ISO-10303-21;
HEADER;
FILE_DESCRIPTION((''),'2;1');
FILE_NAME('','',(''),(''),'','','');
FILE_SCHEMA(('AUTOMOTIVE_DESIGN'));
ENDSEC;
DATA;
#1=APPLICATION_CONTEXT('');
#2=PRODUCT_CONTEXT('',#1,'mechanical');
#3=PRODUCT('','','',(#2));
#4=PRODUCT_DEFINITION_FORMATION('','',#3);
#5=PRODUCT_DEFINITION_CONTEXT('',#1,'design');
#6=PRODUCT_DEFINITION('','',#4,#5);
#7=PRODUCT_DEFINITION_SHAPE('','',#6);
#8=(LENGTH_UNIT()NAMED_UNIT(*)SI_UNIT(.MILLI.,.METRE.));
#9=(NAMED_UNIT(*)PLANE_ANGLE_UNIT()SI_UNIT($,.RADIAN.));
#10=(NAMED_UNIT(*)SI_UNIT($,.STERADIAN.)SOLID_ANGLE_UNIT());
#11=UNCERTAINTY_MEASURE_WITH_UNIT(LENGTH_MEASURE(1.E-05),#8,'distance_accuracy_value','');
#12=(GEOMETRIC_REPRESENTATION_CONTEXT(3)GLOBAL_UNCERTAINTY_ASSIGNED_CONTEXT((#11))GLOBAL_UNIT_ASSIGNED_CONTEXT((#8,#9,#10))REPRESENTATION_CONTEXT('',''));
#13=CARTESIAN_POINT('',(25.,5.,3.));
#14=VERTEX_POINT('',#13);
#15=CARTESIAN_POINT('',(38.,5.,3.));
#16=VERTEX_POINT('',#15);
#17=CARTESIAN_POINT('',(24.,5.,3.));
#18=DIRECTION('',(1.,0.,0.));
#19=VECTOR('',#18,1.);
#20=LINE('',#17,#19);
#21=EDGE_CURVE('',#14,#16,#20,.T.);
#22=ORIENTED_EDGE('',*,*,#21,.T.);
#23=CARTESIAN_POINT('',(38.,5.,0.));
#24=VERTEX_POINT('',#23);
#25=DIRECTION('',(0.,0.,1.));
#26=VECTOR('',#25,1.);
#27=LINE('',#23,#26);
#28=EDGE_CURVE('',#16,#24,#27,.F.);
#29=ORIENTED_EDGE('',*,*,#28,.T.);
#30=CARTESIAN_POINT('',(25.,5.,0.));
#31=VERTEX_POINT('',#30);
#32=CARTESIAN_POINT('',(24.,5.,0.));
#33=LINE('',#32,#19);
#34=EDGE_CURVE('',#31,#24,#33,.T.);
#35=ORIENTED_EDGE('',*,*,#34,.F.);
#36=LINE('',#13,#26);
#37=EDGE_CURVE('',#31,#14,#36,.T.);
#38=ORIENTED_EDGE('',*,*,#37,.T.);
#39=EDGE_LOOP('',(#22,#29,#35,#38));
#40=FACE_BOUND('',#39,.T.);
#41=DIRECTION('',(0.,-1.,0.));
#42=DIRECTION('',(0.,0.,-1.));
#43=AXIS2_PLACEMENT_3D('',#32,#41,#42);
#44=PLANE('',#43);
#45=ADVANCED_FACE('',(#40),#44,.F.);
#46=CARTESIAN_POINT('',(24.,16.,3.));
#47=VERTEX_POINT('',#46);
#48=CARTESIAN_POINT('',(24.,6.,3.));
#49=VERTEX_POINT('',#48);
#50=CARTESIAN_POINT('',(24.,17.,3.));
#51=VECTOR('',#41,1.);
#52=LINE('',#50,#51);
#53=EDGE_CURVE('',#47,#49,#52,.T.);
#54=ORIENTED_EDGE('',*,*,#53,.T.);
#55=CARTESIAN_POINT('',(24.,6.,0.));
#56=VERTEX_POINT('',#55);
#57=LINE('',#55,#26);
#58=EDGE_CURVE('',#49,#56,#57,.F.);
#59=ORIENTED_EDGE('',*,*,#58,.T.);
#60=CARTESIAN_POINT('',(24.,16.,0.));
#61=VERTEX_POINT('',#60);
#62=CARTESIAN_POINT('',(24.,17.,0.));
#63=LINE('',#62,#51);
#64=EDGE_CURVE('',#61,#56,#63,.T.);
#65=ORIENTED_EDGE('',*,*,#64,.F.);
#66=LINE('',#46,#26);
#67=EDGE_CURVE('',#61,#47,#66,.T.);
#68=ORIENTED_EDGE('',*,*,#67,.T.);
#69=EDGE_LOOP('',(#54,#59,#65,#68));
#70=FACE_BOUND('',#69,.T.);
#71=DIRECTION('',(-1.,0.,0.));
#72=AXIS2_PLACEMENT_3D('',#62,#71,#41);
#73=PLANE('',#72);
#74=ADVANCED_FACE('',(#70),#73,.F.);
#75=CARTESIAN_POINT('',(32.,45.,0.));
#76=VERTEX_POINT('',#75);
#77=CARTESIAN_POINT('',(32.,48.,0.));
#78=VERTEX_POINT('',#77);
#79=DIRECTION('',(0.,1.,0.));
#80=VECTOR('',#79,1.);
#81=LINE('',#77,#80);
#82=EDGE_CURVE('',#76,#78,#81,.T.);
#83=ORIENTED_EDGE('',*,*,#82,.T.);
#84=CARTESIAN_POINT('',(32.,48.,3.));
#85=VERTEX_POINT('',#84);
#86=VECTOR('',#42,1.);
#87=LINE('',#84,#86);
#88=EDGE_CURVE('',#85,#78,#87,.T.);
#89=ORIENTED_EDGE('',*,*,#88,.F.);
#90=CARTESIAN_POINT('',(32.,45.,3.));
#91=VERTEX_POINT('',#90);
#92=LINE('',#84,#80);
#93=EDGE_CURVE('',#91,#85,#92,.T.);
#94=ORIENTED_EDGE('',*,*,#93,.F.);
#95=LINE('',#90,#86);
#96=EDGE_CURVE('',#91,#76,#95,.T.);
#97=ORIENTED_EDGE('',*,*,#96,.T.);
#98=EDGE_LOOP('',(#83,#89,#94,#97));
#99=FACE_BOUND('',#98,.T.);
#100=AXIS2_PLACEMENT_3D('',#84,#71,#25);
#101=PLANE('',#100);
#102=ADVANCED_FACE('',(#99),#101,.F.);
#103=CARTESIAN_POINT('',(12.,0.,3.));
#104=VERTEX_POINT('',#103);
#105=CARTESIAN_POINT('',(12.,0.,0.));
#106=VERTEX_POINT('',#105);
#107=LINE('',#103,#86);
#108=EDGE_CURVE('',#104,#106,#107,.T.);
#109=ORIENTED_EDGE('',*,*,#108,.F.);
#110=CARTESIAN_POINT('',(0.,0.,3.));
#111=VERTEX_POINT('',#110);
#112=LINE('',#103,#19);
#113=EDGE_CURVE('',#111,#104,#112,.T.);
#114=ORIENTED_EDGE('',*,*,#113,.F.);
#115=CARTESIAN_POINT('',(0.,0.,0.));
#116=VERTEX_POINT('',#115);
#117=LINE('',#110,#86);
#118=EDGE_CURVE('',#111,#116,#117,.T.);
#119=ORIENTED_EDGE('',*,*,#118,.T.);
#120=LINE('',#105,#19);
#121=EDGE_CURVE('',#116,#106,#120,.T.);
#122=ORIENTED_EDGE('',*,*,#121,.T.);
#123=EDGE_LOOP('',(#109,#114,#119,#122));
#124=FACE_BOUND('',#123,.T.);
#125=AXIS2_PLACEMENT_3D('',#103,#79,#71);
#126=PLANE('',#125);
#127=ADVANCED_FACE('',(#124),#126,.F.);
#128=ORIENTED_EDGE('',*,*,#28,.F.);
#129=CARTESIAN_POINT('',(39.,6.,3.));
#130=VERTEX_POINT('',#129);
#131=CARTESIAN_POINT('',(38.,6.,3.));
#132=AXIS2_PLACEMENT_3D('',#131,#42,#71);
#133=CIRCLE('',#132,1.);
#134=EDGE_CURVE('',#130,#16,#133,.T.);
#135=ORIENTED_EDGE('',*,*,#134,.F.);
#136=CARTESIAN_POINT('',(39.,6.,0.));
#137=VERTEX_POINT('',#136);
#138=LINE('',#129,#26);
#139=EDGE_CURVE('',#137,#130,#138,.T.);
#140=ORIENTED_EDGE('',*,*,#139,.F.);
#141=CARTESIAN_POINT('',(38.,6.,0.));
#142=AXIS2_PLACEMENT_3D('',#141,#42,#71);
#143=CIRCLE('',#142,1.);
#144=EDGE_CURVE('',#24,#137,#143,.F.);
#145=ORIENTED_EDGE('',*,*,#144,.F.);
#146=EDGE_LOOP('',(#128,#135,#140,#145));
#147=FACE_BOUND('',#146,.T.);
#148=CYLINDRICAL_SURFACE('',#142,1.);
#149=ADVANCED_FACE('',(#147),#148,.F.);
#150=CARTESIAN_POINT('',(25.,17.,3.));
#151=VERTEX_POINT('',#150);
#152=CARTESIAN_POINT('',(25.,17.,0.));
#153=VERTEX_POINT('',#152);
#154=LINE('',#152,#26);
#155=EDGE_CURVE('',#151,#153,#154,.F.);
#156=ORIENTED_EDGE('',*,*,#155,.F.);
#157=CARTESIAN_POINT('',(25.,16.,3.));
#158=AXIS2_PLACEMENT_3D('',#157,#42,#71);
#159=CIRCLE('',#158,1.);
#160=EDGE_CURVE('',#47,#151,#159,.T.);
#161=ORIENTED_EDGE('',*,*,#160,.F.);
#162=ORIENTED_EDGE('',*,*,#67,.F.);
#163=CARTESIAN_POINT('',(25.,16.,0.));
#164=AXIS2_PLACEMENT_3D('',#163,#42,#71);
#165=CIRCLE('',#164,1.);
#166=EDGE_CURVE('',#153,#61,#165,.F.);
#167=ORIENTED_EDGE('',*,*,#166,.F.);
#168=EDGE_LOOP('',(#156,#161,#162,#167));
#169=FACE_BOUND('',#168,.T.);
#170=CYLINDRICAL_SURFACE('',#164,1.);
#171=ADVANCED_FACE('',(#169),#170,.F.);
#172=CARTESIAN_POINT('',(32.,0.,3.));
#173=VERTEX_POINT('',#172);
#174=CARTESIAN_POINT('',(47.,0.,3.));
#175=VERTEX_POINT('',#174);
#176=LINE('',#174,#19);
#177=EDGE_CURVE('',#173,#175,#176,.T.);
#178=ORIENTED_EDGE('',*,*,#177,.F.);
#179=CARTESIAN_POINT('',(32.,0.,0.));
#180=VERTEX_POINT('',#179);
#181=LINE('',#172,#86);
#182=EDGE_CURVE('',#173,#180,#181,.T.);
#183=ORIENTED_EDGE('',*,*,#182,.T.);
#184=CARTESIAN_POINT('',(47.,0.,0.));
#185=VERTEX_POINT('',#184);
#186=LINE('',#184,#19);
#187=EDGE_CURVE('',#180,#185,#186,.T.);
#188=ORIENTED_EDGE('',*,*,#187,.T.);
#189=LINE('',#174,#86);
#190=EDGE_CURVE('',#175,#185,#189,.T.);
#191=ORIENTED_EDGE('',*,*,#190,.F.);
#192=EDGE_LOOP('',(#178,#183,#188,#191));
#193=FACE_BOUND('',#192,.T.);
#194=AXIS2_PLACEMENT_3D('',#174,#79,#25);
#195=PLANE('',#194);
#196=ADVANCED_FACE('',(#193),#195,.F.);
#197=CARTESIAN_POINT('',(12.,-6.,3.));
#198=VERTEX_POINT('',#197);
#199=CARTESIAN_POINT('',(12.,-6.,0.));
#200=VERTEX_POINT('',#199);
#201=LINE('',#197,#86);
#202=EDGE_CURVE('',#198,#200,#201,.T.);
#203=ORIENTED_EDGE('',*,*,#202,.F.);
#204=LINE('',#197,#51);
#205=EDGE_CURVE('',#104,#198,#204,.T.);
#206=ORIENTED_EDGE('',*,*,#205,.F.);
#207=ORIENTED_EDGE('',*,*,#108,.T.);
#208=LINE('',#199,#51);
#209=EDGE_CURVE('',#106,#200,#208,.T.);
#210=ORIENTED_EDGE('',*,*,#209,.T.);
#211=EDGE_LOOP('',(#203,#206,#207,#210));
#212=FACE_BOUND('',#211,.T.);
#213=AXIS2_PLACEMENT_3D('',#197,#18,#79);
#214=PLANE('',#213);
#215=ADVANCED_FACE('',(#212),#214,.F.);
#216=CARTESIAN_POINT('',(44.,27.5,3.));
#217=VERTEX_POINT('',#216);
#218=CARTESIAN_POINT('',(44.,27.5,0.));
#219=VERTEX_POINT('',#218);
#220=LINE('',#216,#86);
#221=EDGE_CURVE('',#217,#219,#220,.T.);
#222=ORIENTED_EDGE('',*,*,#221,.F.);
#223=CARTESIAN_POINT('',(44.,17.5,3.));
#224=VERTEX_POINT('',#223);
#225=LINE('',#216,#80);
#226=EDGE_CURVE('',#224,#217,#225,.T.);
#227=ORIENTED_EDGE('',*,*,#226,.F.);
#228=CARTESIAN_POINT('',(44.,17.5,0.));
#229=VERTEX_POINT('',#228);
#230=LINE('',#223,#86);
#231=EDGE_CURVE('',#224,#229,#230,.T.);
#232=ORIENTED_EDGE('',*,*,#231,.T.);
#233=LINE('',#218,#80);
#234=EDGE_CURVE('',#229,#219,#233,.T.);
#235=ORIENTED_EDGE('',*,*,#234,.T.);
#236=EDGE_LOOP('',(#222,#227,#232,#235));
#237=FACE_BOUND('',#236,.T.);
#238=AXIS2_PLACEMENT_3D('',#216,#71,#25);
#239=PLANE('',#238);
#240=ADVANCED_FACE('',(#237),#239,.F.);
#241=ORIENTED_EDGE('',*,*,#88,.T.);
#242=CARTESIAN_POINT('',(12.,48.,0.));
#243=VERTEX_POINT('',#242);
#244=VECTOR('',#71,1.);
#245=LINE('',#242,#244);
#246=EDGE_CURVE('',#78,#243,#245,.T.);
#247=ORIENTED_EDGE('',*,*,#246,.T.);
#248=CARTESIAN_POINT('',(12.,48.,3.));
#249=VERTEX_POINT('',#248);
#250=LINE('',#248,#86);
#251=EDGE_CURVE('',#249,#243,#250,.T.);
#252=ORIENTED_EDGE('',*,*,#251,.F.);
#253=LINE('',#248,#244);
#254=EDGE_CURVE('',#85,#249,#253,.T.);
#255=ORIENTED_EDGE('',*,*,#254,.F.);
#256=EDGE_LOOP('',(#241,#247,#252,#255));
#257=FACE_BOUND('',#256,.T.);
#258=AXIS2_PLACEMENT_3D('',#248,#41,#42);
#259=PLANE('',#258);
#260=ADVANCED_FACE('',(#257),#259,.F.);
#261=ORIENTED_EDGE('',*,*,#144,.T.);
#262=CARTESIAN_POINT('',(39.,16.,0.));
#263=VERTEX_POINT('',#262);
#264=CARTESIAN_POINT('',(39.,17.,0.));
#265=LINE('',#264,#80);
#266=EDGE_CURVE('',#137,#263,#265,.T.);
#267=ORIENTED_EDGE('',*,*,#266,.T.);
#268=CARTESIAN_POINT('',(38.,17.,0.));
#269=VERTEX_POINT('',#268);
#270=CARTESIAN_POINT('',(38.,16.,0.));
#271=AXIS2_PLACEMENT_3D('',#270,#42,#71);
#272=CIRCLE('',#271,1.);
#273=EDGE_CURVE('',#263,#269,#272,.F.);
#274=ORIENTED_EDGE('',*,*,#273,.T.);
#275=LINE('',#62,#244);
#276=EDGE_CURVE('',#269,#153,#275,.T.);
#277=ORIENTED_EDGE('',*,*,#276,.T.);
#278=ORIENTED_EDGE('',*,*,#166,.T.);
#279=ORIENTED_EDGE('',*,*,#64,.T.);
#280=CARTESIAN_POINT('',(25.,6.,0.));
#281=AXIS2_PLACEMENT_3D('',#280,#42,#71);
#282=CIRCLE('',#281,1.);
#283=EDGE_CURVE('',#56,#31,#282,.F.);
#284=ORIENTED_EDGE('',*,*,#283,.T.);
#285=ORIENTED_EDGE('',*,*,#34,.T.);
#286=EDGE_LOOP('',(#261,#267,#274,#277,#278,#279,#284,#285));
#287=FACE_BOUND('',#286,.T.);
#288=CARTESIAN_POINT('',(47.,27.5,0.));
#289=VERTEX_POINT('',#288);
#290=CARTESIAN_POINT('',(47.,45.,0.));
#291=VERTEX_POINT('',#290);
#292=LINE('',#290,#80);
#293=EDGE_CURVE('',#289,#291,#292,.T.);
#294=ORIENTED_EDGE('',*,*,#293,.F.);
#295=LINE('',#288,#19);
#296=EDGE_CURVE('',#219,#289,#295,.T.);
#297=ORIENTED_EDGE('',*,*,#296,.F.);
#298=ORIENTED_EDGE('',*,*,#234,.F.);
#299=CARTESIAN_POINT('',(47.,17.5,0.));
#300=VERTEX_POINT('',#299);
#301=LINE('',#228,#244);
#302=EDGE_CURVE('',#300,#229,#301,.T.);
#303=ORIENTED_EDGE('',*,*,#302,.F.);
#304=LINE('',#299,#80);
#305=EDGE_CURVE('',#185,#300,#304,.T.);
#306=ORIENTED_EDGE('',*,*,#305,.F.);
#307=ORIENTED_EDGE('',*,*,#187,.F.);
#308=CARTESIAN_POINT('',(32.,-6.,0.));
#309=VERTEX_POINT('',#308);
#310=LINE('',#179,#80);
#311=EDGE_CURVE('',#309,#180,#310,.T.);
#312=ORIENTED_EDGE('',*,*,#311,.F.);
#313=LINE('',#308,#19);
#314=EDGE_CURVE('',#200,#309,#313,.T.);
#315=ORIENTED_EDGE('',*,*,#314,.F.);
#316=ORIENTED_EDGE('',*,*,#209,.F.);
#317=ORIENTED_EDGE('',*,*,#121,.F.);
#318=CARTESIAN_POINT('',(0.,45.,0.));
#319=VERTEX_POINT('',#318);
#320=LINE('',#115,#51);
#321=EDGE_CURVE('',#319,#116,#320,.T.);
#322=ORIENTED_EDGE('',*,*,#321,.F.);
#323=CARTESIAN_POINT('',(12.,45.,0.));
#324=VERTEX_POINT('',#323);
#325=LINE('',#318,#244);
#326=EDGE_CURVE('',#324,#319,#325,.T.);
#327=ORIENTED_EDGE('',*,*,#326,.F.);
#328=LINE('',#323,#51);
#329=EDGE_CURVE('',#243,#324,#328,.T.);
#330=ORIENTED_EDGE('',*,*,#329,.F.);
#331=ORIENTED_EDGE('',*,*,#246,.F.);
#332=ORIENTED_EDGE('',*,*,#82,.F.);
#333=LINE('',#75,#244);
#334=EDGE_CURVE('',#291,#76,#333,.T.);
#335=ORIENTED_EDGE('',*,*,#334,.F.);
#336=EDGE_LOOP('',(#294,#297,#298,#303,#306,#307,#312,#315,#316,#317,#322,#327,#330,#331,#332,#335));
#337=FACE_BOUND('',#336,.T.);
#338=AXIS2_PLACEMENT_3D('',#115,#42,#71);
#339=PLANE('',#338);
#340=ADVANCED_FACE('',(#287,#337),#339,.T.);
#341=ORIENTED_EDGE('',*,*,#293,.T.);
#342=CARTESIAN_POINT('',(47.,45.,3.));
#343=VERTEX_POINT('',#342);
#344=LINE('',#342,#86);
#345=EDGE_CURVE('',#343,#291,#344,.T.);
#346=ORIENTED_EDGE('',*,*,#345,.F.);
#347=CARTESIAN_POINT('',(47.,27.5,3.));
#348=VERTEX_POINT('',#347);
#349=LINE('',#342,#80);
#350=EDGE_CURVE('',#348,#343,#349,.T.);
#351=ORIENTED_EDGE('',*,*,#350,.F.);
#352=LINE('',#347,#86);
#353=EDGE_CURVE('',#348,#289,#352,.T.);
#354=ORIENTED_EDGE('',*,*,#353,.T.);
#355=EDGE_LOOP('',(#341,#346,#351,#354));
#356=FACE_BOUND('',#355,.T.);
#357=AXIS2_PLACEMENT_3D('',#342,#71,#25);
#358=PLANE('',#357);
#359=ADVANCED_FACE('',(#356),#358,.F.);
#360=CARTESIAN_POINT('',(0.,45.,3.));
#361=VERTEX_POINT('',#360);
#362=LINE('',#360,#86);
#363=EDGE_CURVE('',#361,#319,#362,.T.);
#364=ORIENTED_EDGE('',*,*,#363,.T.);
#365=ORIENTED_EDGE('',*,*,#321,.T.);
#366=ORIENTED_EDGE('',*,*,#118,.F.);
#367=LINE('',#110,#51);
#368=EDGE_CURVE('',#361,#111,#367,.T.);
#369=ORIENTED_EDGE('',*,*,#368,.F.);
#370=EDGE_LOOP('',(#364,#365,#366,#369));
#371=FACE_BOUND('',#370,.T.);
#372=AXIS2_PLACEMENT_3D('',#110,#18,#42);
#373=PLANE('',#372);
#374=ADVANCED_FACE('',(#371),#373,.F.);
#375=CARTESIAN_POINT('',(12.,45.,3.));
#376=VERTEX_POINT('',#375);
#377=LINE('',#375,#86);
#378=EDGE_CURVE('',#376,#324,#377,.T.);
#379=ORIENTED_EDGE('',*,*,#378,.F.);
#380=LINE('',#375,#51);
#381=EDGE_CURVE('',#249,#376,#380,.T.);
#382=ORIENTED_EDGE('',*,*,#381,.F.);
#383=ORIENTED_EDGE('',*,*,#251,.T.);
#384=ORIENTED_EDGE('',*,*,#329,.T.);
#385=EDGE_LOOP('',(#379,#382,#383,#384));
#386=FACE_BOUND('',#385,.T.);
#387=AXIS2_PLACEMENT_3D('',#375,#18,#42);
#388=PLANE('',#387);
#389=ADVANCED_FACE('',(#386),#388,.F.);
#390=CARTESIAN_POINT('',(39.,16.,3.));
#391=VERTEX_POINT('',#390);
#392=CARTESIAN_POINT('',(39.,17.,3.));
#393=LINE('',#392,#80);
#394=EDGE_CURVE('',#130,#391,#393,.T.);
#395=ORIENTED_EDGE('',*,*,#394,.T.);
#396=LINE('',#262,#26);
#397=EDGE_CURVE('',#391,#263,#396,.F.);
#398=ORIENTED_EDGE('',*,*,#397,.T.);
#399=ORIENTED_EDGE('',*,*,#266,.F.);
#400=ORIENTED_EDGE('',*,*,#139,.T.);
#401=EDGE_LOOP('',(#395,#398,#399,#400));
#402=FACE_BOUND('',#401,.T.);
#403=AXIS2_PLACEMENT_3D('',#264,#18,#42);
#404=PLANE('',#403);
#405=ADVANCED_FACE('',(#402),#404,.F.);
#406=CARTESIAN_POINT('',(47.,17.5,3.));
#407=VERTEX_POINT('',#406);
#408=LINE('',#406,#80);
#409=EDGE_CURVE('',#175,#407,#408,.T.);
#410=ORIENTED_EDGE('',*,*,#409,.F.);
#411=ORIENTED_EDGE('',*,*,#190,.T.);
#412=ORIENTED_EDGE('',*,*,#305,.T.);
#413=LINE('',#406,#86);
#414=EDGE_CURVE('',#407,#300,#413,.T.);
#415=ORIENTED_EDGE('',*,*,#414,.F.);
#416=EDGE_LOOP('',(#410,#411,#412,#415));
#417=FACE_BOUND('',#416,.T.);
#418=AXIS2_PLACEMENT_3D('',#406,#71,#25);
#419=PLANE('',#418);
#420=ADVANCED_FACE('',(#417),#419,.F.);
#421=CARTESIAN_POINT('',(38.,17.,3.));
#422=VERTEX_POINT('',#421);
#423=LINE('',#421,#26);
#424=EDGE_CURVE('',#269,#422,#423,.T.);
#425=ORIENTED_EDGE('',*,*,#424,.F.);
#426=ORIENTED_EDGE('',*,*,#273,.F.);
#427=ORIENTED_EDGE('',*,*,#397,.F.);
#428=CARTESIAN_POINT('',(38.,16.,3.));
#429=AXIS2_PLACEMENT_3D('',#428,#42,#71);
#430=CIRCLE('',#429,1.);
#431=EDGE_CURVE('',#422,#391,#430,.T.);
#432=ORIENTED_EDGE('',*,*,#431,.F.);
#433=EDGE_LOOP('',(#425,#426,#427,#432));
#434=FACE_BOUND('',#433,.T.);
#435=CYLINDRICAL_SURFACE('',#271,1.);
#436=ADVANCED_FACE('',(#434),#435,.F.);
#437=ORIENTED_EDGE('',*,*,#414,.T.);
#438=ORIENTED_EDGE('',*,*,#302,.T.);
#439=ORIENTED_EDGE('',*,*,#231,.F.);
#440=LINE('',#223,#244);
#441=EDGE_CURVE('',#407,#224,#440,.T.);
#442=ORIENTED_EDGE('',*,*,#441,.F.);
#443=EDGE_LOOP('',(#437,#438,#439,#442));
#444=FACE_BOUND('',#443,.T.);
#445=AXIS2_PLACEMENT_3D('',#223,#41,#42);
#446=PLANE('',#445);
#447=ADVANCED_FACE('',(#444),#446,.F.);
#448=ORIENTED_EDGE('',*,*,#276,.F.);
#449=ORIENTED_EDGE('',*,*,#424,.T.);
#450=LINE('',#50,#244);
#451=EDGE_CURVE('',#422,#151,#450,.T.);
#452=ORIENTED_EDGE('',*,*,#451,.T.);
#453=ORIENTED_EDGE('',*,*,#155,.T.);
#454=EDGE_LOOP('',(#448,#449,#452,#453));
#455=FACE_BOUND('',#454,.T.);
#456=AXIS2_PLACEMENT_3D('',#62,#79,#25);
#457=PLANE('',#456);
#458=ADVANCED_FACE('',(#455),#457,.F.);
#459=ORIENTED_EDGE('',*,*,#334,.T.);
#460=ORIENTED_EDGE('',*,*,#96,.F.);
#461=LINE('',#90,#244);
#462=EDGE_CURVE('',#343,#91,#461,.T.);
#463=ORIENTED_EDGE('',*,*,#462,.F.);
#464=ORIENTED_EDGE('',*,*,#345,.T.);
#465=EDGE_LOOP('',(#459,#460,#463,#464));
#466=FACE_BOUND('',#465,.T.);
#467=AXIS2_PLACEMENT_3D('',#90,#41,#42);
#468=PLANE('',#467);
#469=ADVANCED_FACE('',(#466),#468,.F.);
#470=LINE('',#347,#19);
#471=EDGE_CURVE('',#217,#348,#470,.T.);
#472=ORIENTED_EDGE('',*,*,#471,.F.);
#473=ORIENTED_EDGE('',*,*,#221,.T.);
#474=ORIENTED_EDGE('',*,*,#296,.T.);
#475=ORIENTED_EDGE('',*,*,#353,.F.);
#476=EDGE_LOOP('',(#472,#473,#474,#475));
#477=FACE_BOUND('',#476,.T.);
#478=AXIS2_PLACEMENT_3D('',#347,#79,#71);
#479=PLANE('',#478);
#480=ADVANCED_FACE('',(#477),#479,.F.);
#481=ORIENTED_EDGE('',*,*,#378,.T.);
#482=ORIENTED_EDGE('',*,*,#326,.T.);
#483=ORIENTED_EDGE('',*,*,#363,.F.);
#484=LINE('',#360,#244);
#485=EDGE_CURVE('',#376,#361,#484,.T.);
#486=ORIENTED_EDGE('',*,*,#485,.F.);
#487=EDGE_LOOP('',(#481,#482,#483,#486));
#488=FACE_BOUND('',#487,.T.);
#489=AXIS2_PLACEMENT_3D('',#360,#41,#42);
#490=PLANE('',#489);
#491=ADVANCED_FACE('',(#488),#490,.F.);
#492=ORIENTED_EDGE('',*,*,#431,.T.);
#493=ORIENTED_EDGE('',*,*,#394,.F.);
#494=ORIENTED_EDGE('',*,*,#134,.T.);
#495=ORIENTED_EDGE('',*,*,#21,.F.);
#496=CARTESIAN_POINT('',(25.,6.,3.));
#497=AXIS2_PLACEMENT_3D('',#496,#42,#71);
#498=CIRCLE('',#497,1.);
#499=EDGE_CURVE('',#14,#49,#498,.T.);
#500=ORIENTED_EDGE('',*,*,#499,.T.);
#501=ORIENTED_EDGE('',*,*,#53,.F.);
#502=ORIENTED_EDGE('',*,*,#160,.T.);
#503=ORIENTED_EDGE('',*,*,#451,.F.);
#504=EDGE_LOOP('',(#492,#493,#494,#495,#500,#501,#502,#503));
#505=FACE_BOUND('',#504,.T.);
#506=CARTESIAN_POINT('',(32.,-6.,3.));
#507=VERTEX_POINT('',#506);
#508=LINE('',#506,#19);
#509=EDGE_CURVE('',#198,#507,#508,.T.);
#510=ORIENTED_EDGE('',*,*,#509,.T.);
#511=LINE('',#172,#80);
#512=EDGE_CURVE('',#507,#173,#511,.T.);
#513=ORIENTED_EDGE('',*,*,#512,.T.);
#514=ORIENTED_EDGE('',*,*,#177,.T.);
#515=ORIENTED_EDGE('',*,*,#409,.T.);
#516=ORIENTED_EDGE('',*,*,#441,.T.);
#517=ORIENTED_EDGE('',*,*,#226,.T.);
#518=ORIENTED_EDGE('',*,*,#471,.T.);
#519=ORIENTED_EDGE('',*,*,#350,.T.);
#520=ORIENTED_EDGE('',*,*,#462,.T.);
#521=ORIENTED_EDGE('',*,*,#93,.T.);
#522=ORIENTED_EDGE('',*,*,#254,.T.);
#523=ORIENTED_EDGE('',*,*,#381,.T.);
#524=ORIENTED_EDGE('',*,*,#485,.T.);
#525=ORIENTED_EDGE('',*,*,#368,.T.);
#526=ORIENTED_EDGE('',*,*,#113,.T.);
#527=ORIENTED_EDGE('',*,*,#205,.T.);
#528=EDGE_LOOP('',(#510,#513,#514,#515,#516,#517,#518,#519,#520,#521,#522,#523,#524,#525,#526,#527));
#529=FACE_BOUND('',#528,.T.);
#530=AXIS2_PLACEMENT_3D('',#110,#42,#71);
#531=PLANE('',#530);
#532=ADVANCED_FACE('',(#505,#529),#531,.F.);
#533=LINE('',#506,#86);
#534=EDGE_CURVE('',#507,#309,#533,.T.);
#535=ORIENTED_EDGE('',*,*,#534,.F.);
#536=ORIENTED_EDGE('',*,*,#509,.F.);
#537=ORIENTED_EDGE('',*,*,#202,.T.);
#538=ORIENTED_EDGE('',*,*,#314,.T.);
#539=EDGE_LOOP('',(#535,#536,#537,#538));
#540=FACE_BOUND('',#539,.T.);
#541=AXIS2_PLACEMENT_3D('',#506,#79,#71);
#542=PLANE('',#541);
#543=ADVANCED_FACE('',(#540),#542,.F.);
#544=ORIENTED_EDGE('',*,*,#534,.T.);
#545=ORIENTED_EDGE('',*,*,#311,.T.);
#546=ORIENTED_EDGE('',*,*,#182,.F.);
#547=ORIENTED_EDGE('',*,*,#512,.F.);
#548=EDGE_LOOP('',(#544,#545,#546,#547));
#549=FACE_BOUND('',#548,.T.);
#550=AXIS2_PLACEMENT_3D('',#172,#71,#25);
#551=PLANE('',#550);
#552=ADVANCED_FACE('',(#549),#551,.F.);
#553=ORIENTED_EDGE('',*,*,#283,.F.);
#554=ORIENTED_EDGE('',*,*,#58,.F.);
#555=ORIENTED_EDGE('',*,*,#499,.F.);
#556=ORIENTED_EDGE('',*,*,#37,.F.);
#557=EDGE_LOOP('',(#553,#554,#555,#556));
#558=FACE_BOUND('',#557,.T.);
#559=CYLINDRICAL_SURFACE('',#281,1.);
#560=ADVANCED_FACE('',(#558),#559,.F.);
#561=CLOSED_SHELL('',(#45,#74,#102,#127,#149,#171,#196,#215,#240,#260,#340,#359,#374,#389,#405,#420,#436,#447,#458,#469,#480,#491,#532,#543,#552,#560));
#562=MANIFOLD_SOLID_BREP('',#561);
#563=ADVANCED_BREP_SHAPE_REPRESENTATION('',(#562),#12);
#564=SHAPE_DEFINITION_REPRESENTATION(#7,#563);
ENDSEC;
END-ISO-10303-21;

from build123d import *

# Parameters (mm, degrees)
BOSS_EXTRUDE1_DEPTH = 3
SKETCH2_W           = 15
SKETCH2_H           = 12
CUT_EXTRUDE1_DEPTH  = 68.245817714
FILLET1_R           = 1


with BuildPart() as part:
    # Sketch1 → Boss-Extrude1 (new body)
    with BuildSketch(Plane.XY):
        Polygon((0, 0), (0, 45), (12, 45), (12, 48), (32, 48), (32, 45), (47, 45), (47, 27.5), (44, 27.5), (44, 17.5), (47, 17.5), (47, 0), (32, 0), (32, -6), (12, -6), (12, 0), align=None)
    extrude(amount=BOSS_EXTRUDE1_DEPTH)

    # Sketch2 → Cut-Extrude1 (cut, through all)
    with BuildSketch(Plane.XY.offset(3)):
        with Locations((31.5, 11)):
            Rectangle(SKETCH2_W, SKETCH2_H)
    extrude(amount=-CUT_EXTRUDE1_DEPTH, mode=Mode.SUBTRACT)

    # Fillet1
    fillet1_edges = [part.edges().sort_by_distance(p)[0] for p in [
        (24, 5, 1.5),
        (24, 17, 1.5),
        (39, 17, 1.5),
        (39, 5, 1.5),
    ]]
    fillet(fillet1_edges, radius=FILLET1_R)


solid = part.part
